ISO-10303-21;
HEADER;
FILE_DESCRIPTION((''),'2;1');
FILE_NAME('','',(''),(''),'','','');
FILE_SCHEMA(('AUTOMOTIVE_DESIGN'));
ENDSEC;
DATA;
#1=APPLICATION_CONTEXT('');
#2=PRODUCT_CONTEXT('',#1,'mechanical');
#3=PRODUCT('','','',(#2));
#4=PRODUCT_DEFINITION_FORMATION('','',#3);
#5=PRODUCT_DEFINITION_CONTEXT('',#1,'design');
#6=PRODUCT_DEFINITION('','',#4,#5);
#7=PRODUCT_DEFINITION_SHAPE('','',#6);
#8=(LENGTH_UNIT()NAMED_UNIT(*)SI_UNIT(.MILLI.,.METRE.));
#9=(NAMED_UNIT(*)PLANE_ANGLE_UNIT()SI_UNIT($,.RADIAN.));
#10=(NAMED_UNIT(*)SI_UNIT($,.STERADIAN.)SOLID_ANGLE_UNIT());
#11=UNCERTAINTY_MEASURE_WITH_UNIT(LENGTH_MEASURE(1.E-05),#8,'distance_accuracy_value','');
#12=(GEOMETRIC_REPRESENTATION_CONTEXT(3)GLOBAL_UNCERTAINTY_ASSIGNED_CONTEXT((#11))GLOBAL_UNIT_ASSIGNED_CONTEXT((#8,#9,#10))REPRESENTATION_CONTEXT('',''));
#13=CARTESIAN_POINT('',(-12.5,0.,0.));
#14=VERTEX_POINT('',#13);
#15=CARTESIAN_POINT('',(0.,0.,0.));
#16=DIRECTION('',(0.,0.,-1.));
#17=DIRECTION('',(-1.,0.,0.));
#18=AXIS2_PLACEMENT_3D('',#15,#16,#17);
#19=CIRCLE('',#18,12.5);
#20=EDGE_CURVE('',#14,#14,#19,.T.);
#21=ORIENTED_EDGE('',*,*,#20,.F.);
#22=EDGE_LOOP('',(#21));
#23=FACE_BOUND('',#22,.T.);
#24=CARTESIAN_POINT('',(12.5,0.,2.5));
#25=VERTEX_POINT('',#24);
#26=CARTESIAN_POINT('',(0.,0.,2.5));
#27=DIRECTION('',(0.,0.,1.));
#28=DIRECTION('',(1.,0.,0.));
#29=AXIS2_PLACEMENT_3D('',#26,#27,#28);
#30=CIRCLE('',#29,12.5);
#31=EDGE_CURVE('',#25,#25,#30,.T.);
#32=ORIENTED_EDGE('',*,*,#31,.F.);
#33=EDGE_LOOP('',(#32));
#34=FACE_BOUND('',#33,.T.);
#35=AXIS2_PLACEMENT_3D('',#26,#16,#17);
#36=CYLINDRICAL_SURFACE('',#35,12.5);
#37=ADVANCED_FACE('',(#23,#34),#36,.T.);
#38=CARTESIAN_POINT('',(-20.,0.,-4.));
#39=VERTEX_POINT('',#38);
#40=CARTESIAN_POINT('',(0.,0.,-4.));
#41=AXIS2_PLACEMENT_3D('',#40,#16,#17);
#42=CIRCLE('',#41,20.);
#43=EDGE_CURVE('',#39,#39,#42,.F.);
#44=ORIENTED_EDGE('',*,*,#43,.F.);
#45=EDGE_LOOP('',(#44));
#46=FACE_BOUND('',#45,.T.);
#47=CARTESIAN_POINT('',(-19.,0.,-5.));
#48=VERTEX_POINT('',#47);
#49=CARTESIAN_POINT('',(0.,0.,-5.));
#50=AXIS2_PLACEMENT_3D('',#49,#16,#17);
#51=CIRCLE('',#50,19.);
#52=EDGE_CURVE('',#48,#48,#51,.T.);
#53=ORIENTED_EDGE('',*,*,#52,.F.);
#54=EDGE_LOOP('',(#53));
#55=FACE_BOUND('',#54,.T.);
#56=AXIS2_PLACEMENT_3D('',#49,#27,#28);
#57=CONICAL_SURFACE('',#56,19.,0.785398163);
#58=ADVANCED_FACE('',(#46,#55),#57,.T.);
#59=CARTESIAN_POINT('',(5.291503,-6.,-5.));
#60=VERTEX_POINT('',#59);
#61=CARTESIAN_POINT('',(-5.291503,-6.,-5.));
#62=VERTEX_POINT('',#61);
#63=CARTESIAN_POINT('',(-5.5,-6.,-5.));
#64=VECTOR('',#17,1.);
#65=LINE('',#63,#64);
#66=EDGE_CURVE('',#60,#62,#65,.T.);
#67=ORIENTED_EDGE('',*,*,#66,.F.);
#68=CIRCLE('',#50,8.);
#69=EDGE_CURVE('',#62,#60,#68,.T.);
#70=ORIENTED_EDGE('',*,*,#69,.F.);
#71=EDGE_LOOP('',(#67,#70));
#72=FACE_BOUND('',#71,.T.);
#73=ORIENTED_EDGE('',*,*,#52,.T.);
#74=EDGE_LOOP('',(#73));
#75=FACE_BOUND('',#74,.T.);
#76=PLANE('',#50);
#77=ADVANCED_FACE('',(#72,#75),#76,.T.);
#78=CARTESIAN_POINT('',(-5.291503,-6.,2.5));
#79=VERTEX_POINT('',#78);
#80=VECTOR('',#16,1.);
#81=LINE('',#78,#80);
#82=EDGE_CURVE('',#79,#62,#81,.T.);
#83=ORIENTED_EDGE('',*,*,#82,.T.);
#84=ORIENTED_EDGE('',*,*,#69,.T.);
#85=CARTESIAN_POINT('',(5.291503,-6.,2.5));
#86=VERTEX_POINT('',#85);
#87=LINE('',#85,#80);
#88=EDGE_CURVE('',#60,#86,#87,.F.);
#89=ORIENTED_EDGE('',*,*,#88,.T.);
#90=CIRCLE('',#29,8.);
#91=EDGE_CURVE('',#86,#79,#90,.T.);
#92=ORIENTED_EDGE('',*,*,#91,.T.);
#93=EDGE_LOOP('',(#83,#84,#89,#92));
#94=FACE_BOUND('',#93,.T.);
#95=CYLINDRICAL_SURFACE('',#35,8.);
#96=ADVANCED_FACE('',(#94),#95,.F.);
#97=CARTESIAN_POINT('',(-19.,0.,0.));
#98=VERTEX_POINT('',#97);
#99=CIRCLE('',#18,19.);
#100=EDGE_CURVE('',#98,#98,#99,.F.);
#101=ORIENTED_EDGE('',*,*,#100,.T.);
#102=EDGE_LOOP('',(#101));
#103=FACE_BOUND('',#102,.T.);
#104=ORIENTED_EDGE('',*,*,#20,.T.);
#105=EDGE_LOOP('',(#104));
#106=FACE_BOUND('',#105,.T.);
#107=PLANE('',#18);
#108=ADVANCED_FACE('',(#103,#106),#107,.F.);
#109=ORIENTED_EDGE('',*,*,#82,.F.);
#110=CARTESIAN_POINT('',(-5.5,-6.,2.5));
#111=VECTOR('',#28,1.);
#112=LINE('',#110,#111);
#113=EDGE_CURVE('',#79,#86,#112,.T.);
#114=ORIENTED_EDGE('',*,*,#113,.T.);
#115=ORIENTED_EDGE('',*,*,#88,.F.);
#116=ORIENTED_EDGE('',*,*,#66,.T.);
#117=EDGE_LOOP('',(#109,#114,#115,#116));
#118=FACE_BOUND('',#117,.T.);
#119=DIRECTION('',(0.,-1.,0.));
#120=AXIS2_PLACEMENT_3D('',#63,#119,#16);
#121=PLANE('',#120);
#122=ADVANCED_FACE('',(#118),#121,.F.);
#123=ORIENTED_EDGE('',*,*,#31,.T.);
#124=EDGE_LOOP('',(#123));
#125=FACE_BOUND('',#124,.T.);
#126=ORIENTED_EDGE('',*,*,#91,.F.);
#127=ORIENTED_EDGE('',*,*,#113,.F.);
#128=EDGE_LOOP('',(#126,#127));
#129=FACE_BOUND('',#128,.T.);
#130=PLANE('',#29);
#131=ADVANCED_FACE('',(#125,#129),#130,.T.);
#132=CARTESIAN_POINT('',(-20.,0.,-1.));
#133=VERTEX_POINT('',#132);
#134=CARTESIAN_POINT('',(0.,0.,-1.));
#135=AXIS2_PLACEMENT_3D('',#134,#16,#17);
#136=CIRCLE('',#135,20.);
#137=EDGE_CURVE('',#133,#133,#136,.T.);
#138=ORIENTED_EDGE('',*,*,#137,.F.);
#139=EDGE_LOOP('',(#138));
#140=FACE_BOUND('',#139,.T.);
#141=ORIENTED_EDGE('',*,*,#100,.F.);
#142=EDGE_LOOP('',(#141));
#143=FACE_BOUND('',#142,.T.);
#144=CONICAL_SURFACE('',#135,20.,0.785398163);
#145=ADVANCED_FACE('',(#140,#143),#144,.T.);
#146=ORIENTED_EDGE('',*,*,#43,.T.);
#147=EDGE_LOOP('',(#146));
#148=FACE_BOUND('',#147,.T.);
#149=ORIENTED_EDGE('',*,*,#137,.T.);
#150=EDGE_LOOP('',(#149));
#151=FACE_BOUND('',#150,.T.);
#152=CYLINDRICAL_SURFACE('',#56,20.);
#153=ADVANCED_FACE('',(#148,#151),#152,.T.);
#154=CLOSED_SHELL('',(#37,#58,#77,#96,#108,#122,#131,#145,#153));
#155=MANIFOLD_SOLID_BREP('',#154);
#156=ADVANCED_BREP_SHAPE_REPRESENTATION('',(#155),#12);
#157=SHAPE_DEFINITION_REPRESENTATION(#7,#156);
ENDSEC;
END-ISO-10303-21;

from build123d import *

# Parameters (mm, degrees)
SKETCH1_R           = 12.5
SKETCH1_R_2         = 8
BOSS_EXTRUDE1_DEPTH = 2.5
SKETCH3_R           = 20
SKETCH3_R_2         = 8
BOSS_EXTRUDE3_DEPTH = 5
CHAMFER2_SIZE       = 1
SKETCH4_W           = 11
SKETCH4_H           = 7.5
BOSS_EXTRUDE4_DEPTH = 3


with BuildPart() as part:
    # Sketch1 → Boss-Extrude1 (new body)
    with BuildSketch(Plane.XY):
        Circle(SKETCH1_R)
        Circle(SKETCH1_R_2, mode=Mode.SUBTRACT)
    extrude(amount=BOSS_EXTRUDE1_DEPTH)

    # Sketch3 → Boss-Extrude3 (add)
    with BuildSketch(Plane(origin=(0, 0, 0), x_dir=(-1, 0, 0), z_dir=(0, 0, -1))):
        Circle(SKETCH3_R)
        Circle(SKETCH3_R_2, mode=Mode.SUBTRACT)
    extrude(amount=BOSS_EXTRUDE3_DEPTH)

    # Chamfer2
    chamfer2_edges = [part.edges().sort_by_distance(p)[0] for p in [
        (20, 0, 0),
        (20, 0, -5),
    ]]
    chamfer(chamfer2_edges, length=CHAMFER2_SIZE)

    # Sketch4 → Boss-Extrude4 (add)
    with BuildSketch(Plane(origin=(0, -6, 0), x_dir=(-1, 0, 0), z_dir=(0, 1, 0))):
        with Locations((0, -1.25)):
            Rectangle(SKETCH4_W, SKETCH4_H)
    extrude(amount=-BOSS_EXTRUDE4_DEPTH)


solid = part.part
